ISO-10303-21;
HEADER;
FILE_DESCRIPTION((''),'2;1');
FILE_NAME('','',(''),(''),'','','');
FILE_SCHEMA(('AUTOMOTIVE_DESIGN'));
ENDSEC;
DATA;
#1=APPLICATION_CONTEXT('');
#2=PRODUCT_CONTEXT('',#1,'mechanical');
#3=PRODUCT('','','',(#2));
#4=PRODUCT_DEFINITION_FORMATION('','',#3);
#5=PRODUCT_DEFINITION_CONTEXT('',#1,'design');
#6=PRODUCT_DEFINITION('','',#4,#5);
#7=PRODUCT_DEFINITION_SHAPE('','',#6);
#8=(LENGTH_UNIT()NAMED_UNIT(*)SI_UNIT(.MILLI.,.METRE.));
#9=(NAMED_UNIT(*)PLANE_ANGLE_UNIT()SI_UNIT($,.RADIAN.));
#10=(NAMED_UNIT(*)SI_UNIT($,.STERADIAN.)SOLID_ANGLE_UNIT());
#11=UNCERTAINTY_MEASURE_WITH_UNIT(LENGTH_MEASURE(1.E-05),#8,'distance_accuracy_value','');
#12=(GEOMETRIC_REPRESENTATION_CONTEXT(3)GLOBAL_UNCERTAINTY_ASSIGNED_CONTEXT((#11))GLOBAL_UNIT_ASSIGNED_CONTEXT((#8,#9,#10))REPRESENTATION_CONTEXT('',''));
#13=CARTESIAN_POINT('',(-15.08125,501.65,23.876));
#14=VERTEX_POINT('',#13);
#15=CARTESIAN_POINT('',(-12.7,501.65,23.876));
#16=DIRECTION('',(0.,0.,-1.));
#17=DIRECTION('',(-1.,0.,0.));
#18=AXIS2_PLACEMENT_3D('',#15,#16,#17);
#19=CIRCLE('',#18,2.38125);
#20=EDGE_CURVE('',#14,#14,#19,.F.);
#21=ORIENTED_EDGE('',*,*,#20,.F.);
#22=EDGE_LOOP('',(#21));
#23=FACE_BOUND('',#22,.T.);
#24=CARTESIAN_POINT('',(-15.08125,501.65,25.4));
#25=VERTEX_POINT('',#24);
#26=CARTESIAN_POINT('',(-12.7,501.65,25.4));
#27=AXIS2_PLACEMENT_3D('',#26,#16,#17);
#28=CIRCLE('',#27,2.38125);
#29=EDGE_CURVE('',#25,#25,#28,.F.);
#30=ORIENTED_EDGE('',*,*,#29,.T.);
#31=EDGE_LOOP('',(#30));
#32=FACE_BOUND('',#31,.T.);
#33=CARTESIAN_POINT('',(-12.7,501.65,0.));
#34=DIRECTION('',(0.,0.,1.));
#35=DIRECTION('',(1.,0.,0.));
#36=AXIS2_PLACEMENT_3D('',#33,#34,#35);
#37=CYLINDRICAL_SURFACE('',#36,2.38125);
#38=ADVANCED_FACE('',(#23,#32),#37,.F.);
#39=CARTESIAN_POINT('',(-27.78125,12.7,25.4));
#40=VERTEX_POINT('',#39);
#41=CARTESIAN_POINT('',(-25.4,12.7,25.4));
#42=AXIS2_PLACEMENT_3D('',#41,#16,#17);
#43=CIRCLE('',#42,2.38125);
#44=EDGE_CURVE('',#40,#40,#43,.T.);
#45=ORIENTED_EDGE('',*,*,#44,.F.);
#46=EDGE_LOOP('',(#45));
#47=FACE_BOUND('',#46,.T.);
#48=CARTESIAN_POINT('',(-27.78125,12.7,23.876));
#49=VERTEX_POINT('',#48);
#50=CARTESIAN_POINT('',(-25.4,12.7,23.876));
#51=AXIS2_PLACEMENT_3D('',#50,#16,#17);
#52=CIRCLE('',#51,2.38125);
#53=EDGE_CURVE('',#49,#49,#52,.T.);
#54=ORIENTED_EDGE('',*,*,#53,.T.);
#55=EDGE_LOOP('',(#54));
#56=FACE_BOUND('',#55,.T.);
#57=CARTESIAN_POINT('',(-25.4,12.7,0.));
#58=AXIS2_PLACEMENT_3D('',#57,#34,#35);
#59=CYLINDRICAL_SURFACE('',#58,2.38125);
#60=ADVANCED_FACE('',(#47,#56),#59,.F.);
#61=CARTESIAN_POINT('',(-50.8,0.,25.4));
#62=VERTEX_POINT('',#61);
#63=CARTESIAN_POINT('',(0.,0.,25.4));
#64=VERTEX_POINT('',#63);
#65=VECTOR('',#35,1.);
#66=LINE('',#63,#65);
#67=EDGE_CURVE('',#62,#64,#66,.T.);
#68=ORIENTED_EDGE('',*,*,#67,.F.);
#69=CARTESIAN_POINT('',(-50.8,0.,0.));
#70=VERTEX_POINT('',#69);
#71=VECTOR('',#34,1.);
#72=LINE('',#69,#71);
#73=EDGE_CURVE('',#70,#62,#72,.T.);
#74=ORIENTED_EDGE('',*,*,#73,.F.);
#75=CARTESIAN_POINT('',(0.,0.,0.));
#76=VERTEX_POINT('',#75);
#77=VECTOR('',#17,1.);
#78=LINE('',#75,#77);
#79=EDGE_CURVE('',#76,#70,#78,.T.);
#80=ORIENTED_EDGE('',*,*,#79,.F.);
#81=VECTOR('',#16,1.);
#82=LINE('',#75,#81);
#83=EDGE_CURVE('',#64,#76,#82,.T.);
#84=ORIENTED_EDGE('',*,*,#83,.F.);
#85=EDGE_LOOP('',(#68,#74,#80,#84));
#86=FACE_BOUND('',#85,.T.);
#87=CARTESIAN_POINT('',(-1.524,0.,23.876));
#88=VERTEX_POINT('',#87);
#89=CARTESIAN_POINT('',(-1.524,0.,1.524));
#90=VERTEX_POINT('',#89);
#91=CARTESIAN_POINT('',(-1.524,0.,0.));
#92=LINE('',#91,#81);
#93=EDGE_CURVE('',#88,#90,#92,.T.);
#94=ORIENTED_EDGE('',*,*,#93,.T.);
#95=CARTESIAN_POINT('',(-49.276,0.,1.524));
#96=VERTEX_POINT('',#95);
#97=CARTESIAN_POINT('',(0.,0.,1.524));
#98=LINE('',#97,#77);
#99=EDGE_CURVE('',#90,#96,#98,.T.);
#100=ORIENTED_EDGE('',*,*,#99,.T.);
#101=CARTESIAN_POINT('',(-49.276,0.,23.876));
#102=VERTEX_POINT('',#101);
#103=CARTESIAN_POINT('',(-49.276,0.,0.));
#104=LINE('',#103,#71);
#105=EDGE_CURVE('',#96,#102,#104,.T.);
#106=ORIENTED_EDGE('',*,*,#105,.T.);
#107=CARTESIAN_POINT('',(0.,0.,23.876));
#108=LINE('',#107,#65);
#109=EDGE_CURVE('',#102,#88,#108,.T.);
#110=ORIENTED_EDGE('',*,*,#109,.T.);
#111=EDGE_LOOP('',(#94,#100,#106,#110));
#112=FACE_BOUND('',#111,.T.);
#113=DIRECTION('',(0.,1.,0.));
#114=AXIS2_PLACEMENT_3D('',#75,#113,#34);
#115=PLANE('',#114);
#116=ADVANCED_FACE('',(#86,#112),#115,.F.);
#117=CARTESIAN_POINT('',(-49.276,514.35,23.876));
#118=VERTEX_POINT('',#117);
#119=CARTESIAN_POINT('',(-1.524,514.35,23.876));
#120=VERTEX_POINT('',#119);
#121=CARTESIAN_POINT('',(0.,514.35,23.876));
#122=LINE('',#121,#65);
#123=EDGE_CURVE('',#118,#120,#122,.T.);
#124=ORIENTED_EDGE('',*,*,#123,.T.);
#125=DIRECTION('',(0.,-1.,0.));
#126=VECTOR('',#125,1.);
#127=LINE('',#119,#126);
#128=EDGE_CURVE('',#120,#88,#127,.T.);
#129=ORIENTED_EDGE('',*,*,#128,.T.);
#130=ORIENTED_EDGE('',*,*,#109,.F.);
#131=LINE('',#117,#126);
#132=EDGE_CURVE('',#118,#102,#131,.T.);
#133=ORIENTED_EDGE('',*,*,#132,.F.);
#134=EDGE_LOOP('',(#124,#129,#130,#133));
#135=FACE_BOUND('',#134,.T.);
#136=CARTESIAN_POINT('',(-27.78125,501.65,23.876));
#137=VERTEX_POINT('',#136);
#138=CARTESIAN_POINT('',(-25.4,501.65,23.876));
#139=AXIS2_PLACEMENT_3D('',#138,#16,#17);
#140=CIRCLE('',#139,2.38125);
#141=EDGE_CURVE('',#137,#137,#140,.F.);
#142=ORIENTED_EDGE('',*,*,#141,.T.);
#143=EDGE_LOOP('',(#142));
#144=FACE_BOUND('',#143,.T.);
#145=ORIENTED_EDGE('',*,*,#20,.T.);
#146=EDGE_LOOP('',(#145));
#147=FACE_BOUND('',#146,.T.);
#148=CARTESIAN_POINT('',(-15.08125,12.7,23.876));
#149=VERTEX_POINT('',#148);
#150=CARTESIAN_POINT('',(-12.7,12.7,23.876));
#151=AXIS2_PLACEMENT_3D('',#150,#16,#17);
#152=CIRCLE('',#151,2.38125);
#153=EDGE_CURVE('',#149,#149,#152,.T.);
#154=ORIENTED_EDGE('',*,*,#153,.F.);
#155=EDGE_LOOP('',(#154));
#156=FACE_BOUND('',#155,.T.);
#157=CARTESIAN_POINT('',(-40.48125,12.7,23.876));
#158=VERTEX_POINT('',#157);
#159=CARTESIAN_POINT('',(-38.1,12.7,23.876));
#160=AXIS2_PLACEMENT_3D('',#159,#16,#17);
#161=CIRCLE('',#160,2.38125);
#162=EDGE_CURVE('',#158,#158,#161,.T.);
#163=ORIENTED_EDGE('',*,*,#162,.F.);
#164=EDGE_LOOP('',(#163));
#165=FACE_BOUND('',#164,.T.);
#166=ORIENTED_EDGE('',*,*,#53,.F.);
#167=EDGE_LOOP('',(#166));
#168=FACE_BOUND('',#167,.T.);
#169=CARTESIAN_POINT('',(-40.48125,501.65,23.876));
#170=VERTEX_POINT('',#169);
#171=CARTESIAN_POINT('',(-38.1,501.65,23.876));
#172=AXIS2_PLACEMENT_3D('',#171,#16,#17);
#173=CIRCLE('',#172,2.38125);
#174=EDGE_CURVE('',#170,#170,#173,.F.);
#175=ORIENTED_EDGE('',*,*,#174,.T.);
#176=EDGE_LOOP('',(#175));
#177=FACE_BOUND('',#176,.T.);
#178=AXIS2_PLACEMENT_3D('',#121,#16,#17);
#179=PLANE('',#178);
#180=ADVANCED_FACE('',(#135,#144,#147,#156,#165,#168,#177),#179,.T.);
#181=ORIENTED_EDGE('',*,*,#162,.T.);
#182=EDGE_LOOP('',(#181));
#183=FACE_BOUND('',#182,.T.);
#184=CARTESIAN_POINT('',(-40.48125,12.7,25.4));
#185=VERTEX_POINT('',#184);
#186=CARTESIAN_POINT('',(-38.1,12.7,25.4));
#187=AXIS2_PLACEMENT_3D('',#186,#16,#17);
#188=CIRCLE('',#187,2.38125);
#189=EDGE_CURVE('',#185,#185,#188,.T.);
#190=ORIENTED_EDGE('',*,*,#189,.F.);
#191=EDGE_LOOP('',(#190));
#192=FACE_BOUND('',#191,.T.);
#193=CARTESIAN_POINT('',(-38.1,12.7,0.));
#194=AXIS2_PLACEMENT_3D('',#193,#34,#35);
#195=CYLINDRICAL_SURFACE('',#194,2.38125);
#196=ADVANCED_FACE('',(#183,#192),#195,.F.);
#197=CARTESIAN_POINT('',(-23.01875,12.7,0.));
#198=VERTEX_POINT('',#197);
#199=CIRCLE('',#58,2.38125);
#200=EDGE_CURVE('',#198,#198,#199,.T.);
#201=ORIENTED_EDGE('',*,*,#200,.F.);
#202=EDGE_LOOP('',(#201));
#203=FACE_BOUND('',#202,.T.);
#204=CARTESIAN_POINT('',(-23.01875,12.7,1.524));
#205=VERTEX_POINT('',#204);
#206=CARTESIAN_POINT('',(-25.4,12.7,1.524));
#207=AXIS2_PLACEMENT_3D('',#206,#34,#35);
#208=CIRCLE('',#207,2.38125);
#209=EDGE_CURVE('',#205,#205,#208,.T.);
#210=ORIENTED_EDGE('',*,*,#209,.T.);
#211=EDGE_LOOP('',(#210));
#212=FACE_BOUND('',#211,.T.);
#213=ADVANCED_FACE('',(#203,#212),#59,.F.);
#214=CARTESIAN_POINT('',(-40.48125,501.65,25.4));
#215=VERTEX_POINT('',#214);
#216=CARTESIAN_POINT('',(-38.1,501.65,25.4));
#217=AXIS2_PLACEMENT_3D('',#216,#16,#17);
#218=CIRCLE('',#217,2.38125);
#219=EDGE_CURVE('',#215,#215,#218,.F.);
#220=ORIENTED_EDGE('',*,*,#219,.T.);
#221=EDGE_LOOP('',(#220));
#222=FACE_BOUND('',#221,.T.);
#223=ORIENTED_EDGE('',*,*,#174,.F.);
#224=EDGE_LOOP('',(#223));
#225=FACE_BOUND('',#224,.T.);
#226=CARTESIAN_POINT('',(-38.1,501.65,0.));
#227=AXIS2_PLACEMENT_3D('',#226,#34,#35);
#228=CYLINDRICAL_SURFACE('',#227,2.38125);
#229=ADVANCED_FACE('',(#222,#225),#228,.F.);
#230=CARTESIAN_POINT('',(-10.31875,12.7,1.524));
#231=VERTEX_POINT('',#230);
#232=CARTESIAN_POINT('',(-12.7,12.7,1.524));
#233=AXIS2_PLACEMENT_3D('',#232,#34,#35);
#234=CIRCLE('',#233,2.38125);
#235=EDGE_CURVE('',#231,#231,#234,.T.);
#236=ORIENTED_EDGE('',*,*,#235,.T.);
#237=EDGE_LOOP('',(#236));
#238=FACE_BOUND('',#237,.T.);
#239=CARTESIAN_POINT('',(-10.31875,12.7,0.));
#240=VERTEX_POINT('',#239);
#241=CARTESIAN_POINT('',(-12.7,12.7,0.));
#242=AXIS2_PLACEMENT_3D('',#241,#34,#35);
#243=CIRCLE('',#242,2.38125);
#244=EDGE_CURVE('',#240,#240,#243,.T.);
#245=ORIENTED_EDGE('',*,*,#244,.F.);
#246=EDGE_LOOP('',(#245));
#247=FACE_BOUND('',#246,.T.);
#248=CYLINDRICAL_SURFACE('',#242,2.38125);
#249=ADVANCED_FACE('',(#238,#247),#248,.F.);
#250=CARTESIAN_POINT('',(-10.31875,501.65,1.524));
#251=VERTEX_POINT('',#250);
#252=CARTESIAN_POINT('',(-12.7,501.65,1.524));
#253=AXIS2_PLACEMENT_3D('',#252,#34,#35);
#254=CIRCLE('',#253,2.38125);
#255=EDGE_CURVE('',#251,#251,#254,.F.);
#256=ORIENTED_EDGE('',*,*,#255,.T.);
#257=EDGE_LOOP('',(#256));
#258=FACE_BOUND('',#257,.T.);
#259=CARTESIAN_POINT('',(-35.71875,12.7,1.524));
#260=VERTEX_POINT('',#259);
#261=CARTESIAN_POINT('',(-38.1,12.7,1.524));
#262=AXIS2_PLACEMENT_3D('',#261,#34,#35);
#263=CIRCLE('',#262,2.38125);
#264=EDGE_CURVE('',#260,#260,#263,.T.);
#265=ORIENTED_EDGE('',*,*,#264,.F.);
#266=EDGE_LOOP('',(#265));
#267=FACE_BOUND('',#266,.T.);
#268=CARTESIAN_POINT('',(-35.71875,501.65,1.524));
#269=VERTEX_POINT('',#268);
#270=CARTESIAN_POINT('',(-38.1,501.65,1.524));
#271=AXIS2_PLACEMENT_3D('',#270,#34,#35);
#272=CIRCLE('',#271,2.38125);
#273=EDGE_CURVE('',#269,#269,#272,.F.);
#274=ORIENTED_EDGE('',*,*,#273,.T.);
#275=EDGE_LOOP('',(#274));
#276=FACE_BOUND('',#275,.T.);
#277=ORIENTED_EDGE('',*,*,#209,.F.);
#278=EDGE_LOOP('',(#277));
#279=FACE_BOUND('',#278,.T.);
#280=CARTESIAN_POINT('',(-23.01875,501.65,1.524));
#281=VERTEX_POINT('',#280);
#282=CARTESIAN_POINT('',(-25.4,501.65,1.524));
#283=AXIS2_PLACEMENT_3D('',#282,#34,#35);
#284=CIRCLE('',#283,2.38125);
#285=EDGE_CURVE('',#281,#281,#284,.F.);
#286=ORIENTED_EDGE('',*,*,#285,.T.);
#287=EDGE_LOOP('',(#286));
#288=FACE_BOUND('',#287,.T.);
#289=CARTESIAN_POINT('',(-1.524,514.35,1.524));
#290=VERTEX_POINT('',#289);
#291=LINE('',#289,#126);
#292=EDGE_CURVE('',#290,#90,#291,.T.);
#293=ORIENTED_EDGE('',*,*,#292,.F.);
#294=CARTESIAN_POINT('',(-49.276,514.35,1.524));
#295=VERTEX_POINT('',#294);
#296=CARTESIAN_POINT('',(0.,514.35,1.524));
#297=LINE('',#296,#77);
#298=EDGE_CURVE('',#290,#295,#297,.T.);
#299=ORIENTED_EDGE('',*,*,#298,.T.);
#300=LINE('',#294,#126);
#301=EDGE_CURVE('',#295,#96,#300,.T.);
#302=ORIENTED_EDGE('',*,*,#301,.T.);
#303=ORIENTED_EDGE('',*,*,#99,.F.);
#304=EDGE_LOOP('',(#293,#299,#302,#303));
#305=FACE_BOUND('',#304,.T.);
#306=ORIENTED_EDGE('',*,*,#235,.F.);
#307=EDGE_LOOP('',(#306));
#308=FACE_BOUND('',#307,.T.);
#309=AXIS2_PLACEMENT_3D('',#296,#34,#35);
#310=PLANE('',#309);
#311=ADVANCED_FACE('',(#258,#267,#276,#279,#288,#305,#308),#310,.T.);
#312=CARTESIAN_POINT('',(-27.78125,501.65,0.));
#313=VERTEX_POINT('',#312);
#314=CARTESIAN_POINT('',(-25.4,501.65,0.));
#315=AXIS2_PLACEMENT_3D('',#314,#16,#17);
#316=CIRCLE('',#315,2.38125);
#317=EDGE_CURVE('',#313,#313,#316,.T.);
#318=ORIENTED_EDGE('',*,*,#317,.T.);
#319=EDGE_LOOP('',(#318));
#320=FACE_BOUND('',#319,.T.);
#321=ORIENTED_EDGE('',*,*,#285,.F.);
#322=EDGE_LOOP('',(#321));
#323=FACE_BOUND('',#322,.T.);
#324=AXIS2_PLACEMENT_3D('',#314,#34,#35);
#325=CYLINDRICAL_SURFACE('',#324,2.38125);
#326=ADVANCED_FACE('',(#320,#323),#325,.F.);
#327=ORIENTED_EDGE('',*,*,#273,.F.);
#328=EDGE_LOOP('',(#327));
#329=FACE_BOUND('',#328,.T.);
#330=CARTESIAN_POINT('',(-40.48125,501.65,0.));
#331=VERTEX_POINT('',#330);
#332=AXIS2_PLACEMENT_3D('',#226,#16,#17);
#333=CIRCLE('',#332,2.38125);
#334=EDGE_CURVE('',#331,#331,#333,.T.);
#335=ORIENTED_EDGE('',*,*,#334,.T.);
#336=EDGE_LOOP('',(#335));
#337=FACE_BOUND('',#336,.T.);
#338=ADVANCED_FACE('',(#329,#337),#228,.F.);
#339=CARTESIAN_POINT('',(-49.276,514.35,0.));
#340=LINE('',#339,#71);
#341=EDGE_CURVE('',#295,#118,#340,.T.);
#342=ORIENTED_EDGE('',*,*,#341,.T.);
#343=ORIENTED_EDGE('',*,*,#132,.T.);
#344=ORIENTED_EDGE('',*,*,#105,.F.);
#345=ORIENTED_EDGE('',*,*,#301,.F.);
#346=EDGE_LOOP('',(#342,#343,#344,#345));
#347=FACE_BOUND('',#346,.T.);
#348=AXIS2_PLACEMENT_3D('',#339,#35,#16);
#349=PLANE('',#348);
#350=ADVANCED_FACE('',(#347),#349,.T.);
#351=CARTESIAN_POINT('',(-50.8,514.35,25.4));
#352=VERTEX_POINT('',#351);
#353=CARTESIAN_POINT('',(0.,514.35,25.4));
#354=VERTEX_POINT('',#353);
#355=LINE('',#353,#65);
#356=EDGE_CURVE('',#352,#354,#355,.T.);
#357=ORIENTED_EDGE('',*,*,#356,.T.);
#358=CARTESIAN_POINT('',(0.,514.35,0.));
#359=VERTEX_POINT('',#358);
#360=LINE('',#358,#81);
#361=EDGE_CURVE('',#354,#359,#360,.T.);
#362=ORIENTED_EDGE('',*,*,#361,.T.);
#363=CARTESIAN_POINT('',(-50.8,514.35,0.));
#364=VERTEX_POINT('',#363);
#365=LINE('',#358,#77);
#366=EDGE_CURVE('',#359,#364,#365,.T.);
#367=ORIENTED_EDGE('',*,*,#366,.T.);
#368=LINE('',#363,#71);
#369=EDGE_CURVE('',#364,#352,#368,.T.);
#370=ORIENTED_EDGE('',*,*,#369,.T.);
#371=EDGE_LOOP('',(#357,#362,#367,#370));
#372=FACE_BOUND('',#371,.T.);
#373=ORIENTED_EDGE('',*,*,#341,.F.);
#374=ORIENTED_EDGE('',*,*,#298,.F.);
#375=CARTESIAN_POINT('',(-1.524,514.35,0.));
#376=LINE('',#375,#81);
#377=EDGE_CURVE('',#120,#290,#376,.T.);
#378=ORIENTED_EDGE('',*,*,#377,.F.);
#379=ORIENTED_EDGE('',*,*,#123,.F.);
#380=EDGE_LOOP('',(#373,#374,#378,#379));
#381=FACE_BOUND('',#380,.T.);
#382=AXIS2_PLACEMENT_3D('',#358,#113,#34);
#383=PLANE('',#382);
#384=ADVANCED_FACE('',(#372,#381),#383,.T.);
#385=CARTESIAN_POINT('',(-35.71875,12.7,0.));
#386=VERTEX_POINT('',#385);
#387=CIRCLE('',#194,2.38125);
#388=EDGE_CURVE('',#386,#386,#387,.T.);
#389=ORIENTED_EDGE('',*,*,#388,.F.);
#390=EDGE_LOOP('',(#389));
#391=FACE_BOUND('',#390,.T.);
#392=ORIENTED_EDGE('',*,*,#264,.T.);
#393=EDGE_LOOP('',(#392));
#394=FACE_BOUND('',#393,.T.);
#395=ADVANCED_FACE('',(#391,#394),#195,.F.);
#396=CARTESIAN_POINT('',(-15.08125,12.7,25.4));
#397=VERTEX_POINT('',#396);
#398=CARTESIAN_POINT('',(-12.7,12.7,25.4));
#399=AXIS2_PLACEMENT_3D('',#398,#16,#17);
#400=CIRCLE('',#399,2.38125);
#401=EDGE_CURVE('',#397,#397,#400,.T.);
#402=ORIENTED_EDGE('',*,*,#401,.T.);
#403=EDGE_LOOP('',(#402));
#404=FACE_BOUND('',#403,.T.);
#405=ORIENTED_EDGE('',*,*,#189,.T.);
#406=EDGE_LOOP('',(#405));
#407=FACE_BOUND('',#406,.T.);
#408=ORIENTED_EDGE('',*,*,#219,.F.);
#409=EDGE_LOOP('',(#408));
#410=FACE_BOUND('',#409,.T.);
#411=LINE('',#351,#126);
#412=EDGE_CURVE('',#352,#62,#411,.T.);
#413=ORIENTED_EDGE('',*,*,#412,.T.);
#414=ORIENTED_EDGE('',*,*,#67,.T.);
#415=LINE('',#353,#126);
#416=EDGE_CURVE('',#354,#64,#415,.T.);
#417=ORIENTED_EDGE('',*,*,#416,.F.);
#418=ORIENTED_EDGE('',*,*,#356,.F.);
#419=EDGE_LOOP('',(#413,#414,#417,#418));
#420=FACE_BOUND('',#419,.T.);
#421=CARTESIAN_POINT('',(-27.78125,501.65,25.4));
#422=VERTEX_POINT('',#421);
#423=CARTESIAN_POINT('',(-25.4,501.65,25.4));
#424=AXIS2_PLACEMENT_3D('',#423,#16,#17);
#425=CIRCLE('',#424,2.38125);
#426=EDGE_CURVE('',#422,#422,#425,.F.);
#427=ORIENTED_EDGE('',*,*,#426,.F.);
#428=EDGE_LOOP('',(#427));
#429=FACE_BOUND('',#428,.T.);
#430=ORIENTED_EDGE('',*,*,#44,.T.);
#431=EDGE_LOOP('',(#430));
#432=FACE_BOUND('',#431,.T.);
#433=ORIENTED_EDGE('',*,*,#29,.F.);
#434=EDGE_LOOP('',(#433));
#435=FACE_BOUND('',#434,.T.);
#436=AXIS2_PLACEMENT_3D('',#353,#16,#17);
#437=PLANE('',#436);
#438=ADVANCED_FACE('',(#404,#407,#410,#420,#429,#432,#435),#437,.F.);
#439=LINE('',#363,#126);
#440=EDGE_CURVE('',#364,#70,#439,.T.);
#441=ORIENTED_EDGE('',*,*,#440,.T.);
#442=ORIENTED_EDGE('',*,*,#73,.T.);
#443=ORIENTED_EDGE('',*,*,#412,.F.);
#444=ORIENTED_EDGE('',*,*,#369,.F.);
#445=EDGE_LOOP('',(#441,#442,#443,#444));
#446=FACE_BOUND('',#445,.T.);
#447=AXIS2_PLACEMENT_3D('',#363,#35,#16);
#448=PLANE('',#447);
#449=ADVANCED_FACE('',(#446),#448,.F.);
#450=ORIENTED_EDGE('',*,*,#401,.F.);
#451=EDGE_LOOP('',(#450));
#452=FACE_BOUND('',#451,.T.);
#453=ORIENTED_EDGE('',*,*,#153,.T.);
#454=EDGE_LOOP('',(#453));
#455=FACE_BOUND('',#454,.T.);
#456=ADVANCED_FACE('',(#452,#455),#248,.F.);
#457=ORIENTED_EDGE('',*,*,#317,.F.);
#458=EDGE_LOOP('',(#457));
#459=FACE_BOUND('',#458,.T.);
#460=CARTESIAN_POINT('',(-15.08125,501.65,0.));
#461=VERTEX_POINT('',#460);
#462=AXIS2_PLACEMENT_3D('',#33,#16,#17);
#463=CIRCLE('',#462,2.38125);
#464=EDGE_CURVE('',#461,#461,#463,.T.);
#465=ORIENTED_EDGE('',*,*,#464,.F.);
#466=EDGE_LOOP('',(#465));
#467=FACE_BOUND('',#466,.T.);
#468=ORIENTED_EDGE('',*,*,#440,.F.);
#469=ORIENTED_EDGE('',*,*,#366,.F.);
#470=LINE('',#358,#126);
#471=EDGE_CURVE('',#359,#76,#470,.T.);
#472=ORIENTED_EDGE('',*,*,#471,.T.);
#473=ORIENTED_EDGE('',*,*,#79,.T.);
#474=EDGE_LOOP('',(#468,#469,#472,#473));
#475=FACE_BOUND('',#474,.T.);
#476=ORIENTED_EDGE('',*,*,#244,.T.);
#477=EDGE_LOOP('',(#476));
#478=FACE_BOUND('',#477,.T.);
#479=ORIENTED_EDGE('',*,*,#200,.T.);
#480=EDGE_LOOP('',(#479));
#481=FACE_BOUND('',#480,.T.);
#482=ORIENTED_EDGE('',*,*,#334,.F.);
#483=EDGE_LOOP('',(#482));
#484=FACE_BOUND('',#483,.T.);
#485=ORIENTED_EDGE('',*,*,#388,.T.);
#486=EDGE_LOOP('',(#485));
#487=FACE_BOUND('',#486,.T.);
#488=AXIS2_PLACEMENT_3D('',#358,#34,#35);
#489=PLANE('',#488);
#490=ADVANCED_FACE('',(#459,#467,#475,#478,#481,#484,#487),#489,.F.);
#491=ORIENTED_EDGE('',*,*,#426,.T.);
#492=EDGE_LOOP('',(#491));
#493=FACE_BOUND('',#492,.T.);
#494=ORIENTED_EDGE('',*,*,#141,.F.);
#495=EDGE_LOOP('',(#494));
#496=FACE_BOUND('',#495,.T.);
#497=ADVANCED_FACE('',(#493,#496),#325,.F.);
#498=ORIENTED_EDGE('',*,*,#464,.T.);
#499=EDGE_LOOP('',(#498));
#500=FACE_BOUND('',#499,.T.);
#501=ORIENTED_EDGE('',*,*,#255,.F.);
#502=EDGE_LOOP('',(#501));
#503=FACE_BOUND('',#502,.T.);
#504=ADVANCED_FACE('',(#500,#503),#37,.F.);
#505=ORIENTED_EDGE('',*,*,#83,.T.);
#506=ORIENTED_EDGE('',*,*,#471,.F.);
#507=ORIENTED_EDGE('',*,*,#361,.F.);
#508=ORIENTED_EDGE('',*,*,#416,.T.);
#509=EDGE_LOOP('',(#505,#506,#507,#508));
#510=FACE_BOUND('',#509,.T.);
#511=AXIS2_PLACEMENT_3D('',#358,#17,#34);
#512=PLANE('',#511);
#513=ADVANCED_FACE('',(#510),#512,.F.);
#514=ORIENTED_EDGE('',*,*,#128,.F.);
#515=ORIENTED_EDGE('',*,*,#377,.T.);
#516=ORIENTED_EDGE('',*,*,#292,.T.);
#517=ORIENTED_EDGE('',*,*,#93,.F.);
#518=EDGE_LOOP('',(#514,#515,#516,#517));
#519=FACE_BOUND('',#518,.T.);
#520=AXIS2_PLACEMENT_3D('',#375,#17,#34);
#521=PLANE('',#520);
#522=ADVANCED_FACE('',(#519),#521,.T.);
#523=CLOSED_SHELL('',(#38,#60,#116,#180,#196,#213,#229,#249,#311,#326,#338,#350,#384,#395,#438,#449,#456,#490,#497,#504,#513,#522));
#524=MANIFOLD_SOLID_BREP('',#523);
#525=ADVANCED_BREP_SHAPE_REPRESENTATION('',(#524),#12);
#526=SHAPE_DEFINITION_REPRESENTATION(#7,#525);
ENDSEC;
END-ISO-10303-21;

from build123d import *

# Parameters (mm, degrees)
SKETCH1_W               = 50.8
SKETCH1_H               = 25.4
SKETCH1_W_2             = 47.752
SKETCH1_H_2             = 22.352
EXTRUDE_THIN1_DEPTH     = 514.35
CUT_EXTRUDE1_DEPTH      = 518.47630139
CUT_EXTRUDE1_DEPTH_BACK = 518.47630139
SKETCH2_R               = 2.38125


with BuildPart() as part:
    # Sketch1 → Extrude-Thin1 (new body)
    with BuildSketch(Plane(origin=(0, 0, 0), x_dir=(1, 0, 0), z_dir=(0, 1, 0))):
        with Locations((-25.4, -12.7)):
            Rectangle(SKETCH1_W, SKETCH1_H)
        with Locations((-25.4, -12.7)):
            Rectangle(SKETCH1_W_2, SKETCH1_H_2, mode=Mode.SUBTRACT)
    extrude(amount=EXTRUDE_THIN1_DEPTH)

    # Sketch2 → Cut-Extrude1 (cut, two sides: drawn at the far end of the back side and taken through both)
    with BuildSketch(Plane.XY.offset(25.4).offset(-CUT_EXTRUDE1_DEPTH_BACK)):
        with Locations(Location((-38.1, 12.7, 0), (0, 0, 180))):
            Circle(SKETCH2_R)
        with Locations(Location((-25.4, 12.7, 0), (0, 0, 180))):
            Circle(SKETCH2_R)
        with Locations(Location((-12.7, 12.7, 0), (0, 0, 180))):
            Circle(SKETCH2_R)
        with Locations(Location((-38.1, 501.65, 0), (0, 0, 180))):
            Circle(SKETCH2_R)
        with Locations(Location((-25.4, 501.65, 0), (0, 0, 180))):
            Circle(SKETCH2_R)
        with Locations(Location((-12.7, 501.65, 0), (0, 0, 180))):
            Circle(SKETCH2_R)
    extrude(amount=CUT_EXTRUDE1_DEPTH + CUT_EXTRUDE1_DEPTH_BACK, mode=Mode.SUBTRACT)


solid = part.part
